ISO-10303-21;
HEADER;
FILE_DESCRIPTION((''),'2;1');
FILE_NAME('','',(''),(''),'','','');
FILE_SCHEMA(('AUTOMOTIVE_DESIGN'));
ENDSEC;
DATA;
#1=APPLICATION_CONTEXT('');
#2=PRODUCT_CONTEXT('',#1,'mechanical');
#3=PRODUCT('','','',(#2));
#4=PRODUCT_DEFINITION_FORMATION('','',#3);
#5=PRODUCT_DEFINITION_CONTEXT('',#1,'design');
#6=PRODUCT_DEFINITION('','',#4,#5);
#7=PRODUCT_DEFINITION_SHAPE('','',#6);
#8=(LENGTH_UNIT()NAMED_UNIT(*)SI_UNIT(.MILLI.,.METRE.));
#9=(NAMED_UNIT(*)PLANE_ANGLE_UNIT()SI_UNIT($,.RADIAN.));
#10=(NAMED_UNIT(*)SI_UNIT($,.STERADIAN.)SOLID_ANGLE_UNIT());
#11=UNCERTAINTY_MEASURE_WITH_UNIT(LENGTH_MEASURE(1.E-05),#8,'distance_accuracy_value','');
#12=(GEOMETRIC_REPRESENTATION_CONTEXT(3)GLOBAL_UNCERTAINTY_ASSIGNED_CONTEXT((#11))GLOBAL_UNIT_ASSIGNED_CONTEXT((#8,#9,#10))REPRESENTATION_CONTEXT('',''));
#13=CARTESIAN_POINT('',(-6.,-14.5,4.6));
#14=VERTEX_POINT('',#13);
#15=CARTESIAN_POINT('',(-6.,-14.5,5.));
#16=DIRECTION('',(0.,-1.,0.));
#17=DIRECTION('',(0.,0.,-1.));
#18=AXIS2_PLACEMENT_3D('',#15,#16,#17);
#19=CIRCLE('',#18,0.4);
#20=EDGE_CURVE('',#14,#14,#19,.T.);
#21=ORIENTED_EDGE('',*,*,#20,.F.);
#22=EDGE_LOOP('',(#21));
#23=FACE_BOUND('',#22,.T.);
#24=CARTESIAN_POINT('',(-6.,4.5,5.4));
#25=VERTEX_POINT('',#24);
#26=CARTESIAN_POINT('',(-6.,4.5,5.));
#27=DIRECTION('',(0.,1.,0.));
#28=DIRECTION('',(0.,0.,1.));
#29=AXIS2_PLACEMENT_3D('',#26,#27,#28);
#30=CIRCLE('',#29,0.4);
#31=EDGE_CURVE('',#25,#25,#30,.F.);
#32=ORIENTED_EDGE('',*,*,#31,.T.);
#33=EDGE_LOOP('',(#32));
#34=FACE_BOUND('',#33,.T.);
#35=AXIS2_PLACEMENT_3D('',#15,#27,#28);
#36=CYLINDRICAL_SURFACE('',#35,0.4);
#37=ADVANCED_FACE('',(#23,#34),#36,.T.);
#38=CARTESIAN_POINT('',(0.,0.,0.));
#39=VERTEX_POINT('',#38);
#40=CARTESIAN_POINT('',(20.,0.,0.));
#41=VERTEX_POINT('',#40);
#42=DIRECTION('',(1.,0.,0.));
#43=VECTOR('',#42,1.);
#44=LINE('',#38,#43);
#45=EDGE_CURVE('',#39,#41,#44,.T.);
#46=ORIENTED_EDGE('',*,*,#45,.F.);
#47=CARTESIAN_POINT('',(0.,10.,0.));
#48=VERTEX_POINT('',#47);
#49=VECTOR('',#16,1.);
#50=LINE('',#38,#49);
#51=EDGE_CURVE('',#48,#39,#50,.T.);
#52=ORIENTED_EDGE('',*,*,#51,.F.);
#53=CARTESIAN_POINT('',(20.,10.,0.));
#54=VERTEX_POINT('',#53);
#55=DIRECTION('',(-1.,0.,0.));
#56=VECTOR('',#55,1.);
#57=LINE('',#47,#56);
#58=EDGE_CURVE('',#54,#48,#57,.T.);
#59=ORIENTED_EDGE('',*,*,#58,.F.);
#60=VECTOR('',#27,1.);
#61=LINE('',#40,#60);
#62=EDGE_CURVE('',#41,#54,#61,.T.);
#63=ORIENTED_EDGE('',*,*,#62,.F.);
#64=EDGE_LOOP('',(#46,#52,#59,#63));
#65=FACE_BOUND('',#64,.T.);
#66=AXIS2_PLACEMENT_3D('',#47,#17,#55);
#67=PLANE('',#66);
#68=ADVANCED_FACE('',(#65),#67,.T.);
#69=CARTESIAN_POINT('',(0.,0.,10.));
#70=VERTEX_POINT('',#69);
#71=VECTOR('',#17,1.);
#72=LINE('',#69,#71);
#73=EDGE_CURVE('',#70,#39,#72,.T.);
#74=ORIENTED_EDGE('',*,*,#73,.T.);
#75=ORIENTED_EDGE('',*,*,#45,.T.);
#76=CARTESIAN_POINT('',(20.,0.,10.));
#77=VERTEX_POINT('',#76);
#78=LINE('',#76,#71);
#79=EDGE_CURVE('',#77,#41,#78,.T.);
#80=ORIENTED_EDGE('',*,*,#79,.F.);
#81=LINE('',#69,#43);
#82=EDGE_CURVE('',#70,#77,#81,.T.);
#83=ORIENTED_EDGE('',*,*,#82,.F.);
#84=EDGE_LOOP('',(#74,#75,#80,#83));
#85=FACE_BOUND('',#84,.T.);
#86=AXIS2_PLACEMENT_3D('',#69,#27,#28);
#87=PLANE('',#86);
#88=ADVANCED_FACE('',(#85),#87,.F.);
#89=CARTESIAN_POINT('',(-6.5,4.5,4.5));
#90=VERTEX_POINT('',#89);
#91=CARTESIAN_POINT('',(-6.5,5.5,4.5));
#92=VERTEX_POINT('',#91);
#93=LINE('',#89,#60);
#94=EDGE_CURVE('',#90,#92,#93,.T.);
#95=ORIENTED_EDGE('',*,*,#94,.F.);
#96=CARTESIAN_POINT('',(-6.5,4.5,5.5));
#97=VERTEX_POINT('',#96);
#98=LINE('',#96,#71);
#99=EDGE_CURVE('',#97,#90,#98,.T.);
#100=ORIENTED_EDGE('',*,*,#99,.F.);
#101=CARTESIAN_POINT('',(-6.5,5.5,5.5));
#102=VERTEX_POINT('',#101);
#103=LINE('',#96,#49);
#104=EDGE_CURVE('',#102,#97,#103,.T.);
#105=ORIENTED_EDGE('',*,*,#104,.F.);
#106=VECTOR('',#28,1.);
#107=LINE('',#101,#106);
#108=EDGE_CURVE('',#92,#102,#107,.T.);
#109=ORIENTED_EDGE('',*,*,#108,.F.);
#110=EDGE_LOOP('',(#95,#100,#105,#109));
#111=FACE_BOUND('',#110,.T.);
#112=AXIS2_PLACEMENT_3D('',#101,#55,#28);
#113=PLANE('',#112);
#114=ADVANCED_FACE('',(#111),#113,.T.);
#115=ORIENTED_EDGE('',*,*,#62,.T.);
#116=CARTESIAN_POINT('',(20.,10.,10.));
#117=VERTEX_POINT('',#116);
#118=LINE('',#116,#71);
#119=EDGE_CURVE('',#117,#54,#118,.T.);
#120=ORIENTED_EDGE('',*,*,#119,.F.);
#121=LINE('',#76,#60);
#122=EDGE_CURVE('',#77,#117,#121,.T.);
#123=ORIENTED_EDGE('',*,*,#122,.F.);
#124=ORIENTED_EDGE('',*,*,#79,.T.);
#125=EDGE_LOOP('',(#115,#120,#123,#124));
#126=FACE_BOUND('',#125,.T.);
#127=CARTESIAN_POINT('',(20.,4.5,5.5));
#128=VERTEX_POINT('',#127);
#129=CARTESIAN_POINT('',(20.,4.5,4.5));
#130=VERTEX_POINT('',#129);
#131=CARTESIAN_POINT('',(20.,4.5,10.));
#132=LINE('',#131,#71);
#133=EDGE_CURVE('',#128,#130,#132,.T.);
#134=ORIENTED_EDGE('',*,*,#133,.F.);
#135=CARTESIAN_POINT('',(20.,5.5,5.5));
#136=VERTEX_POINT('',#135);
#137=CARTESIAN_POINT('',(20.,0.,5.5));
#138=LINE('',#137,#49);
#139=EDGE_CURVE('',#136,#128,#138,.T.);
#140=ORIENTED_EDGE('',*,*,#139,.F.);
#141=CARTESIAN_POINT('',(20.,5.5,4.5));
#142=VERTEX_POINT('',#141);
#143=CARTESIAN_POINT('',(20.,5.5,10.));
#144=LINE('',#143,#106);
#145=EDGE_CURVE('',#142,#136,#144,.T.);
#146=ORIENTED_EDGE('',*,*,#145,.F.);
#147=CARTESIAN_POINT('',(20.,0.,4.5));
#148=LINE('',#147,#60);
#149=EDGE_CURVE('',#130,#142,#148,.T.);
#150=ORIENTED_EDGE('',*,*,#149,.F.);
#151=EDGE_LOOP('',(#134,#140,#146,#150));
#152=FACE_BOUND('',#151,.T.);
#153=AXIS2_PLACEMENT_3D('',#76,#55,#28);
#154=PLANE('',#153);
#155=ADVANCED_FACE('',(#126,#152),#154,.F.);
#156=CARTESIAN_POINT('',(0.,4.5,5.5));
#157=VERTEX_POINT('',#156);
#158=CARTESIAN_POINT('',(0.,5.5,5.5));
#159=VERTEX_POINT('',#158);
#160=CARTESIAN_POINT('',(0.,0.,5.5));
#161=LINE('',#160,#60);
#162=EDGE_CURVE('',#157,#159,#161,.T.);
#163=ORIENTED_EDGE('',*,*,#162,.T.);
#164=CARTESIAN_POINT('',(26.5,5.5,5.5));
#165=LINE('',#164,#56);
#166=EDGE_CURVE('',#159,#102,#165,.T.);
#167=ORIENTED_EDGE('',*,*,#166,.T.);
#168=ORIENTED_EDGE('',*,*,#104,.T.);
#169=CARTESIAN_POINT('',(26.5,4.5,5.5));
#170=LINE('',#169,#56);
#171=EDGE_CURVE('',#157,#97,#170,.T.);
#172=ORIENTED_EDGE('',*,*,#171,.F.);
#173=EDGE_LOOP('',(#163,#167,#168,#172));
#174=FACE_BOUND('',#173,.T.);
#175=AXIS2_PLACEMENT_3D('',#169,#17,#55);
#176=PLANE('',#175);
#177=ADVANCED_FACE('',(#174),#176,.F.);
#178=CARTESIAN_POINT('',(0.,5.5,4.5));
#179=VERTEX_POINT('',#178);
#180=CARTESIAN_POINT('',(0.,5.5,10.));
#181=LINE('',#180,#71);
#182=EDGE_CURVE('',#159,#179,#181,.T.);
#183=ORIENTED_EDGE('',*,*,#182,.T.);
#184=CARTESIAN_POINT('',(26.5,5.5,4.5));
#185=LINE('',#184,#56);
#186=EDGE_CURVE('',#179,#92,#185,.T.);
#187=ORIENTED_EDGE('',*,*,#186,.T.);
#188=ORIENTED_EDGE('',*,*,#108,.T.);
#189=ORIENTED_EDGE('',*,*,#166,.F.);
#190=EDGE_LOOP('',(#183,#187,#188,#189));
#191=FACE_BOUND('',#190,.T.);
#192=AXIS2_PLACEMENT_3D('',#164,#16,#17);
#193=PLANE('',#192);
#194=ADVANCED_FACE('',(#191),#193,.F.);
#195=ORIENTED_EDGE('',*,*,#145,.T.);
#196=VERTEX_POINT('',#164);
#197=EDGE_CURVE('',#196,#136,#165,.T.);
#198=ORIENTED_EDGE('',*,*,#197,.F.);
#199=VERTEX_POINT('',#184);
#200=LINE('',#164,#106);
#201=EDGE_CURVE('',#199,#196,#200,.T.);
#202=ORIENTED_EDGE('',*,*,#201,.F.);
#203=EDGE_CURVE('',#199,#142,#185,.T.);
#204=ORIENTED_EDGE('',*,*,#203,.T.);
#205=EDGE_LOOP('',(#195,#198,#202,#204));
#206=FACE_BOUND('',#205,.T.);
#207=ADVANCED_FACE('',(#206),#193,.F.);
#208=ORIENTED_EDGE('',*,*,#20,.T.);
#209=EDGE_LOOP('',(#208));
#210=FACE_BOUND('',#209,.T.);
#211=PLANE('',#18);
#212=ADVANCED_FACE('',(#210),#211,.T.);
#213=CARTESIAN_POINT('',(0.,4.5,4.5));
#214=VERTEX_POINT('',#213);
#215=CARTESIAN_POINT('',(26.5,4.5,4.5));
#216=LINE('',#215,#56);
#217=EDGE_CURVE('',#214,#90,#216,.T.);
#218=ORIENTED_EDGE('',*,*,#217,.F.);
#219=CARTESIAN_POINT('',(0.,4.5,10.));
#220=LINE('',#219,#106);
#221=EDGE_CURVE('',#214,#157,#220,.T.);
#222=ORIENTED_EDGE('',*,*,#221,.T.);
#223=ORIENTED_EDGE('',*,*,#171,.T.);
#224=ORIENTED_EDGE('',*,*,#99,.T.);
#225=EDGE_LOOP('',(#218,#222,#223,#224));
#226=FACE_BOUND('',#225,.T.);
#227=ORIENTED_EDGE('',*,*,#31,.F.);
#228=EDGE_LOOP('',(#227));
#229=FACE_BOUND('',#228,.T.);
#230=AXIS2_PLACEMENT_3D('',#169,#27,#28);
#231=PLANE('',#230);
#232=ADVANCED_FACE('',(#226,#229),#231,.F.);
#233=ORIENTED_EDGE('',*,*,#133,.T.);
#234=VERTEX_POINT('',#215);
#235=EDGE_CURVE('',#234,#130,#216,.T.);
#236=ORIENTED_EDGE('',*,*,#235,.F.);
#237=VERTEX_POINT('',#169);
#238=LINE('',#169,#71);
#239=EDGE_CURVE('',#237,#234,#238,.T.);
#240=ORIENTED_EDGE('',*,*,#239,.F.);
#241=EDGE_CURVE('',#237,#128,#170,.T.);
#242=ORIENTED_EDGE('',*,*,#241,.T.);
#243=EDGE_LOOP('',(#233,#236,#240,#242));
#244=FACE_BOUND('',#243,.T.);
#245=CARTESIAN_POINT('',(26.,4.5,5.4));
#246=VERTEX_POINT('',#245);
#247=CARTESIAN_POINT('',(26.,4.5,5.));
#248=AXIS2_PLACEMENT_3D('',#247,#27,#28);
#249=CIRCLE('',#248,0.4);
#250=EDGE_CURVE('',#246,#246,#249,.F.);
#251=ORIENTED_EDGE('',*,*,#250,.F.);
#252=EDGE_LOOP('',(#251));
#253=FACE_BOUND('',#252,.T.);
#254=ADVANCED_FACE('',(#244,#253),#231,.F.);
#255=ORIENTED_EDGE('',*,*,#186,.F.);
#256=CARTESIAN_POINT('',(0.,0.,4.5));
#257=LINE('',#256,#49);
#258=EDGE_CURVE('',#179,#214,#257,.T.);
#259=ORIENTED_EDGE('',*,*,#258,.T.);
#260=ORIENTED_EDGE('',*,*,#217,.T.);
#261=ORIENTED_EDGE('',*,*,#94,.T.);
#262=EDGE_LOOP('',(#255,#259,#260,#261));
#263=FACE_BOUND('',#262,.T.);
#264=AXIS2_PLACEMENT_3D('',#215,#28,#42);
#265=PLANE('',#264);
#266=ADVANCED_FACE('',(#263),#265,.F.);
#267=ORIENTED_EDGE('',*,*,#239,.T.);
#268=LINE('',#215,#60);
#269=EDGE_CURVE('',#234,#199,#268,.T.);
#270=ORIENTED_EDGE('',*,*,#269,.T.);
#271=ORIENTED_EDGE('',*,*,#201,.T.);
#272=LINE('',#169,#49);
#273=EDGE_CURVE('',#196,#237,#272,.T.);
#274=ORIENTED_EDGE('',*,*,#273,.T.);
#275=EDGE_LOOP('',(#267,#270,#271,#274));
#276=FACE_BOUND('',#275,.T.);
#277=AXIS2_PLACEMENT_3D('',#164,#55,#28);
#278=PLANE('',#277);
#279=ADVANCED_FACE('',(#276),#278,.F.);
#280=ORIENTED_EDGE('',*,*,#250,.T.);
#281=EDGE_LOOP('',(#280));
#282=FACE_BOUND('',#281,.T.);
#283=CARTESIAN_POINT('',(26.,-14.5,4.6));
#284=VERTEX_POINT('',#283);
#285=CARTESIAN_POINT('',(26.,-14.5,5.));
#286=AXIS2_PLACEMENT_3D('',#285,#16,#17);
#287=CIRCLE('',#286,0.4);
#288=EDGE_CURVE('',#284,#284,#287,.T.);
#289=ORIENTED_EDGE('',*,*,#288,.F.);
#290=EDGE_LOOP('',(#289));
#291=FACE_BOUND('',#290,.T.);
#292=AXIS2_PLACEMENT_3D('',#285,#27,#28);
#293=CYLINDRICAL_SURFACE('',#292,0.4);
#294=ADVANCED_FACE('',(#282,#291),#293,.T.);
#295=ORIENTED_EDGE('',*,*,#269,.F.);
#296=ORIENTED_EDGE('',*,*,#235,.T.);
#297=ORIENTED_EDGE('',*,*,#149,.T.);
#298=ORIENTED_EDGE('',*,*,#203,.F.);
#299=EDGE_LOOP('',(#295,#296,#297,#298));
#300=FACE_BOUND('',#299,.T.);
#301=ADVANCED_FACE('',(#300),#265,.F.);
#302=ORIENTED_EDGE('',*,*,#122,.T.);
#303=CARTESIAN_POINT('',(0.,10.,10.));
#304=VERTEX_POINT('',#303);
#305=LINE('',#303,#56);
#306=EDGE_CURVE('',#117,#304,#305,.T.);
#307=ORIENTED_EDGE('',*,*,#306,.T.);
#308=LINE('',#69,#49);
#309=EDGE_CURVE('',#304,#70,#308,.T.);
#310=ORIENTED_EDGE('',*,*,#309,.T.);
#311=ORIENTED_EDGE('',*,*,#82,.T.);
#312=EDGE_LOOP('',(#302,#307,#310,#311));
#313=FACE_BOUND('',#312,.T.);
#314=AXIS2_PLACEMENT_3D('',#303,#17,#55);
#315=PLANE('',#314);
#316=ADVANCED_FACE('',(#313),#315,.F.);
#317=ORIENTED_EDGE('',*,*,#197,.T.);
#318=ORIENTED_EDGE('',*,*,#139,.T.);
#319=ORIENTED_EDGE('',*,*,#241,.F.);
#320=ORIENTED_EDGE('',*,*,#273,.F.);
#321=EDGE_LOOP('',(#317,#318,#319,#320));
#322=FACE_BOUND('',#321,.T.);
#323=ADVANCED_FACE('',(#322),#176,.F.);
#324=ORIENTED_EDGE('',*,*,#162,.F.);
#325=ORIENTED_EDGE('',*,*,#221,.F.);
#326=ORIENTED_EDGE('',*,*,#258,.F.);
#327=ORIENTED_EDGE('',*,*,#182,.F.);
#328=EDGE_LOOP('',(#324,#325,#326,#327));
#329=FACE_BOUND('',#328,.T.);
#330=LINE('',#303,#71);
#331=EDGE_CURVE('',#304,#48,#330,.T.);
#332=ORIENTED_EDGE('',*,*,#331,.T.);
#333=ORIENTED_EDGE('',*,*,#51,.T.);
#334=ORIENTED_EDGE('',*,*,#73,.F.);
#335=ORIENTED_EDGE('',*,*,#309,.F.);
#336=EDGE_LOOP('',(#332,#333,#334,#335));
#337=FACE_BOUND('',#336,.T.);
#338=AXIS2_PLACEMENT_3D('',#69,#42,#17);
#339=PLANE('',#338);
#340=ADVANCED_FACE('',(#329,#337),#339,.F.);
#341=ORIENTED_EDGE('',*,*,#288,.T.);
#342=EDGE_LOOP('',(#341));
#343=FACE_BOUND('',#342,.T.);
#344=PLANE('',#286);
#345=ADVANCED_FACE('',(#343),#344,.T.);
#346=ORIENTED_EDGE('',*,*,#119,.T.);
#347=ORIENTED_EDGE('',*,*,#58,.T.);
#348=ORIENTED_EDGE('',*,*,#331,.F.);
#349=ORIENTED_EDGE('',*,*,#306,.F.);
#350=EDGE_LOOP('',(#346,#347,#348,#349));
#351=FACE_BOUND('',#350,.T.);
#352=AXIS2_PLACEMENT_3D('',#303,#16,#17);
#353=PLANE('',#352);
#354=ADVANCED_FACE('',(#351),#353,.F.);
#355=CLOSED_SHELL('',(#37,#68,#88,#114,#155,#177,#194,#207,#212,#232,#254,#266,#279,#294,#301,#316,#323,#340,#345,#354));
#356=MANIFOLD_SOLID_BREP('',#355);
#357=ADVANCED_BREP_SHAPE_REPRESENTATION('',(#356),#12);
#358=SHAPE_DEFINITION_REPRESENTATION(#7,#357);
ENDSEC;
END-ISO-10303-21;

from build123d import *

# Parameters (mm, degrees)
SKETCH_1_W           = 20
SKETCH_1_H           = 10
EXTRUDE_1_DEPTH      = 10
EXTRUDE_2_DEPTH      = 6.5
EXTRUDE_2_DEPTH_BACK = 26.5
SKETCH_2_W           = 1
SKETCH_2_H           = 1
SKETCH_3_R           = 0.4
EXTRUDE_3_DEPTH      = 19


with BuildPart() as part:
    # Эскиз1 → Вытянуть1 (new body)
    with BuildSketch(Plane.XY):
        with Locations((10, 5)):
            Rectangle(SKETCH_1_W, SKETCH_1_H)
    extrude(amount=EXTRUDE_1_DEPTH)

    # Эскиз2 → Вытянуть2 (add, two sides: drawn at the far end of the back side and taken through both)
    with BuildSketch(Plane(origin=(20, 0, 0), x_dir=(0, 0, -1), z_dir=(1, 0, 0)).offset(-EXTRUDE_2_DEPTH_BACK)):
        with Locations((-5, 5)):
            Rectangle(SKETCH_2_W, SKETCH_2_H)
    extrude(amount=EXTRUDE_2_DEPTH + EXTRUDE_2_DEPTH_BACK)

    # Эскиз3 → Вытянуть3 (add)
    with BuildSketch(Plane.XZ.offset(-4.5)):
        with Locations(Location((-6, 5, 0), (0, 0, 90))):
            Circle(SKETCH_3_R)
        with Locations(Location((26, 5, 0), (0, 0, 90))):
            Circle(SKETCH_3_R)
    extrude(amount=EXTRUDE_3_DEPTH)


solid = part.part
